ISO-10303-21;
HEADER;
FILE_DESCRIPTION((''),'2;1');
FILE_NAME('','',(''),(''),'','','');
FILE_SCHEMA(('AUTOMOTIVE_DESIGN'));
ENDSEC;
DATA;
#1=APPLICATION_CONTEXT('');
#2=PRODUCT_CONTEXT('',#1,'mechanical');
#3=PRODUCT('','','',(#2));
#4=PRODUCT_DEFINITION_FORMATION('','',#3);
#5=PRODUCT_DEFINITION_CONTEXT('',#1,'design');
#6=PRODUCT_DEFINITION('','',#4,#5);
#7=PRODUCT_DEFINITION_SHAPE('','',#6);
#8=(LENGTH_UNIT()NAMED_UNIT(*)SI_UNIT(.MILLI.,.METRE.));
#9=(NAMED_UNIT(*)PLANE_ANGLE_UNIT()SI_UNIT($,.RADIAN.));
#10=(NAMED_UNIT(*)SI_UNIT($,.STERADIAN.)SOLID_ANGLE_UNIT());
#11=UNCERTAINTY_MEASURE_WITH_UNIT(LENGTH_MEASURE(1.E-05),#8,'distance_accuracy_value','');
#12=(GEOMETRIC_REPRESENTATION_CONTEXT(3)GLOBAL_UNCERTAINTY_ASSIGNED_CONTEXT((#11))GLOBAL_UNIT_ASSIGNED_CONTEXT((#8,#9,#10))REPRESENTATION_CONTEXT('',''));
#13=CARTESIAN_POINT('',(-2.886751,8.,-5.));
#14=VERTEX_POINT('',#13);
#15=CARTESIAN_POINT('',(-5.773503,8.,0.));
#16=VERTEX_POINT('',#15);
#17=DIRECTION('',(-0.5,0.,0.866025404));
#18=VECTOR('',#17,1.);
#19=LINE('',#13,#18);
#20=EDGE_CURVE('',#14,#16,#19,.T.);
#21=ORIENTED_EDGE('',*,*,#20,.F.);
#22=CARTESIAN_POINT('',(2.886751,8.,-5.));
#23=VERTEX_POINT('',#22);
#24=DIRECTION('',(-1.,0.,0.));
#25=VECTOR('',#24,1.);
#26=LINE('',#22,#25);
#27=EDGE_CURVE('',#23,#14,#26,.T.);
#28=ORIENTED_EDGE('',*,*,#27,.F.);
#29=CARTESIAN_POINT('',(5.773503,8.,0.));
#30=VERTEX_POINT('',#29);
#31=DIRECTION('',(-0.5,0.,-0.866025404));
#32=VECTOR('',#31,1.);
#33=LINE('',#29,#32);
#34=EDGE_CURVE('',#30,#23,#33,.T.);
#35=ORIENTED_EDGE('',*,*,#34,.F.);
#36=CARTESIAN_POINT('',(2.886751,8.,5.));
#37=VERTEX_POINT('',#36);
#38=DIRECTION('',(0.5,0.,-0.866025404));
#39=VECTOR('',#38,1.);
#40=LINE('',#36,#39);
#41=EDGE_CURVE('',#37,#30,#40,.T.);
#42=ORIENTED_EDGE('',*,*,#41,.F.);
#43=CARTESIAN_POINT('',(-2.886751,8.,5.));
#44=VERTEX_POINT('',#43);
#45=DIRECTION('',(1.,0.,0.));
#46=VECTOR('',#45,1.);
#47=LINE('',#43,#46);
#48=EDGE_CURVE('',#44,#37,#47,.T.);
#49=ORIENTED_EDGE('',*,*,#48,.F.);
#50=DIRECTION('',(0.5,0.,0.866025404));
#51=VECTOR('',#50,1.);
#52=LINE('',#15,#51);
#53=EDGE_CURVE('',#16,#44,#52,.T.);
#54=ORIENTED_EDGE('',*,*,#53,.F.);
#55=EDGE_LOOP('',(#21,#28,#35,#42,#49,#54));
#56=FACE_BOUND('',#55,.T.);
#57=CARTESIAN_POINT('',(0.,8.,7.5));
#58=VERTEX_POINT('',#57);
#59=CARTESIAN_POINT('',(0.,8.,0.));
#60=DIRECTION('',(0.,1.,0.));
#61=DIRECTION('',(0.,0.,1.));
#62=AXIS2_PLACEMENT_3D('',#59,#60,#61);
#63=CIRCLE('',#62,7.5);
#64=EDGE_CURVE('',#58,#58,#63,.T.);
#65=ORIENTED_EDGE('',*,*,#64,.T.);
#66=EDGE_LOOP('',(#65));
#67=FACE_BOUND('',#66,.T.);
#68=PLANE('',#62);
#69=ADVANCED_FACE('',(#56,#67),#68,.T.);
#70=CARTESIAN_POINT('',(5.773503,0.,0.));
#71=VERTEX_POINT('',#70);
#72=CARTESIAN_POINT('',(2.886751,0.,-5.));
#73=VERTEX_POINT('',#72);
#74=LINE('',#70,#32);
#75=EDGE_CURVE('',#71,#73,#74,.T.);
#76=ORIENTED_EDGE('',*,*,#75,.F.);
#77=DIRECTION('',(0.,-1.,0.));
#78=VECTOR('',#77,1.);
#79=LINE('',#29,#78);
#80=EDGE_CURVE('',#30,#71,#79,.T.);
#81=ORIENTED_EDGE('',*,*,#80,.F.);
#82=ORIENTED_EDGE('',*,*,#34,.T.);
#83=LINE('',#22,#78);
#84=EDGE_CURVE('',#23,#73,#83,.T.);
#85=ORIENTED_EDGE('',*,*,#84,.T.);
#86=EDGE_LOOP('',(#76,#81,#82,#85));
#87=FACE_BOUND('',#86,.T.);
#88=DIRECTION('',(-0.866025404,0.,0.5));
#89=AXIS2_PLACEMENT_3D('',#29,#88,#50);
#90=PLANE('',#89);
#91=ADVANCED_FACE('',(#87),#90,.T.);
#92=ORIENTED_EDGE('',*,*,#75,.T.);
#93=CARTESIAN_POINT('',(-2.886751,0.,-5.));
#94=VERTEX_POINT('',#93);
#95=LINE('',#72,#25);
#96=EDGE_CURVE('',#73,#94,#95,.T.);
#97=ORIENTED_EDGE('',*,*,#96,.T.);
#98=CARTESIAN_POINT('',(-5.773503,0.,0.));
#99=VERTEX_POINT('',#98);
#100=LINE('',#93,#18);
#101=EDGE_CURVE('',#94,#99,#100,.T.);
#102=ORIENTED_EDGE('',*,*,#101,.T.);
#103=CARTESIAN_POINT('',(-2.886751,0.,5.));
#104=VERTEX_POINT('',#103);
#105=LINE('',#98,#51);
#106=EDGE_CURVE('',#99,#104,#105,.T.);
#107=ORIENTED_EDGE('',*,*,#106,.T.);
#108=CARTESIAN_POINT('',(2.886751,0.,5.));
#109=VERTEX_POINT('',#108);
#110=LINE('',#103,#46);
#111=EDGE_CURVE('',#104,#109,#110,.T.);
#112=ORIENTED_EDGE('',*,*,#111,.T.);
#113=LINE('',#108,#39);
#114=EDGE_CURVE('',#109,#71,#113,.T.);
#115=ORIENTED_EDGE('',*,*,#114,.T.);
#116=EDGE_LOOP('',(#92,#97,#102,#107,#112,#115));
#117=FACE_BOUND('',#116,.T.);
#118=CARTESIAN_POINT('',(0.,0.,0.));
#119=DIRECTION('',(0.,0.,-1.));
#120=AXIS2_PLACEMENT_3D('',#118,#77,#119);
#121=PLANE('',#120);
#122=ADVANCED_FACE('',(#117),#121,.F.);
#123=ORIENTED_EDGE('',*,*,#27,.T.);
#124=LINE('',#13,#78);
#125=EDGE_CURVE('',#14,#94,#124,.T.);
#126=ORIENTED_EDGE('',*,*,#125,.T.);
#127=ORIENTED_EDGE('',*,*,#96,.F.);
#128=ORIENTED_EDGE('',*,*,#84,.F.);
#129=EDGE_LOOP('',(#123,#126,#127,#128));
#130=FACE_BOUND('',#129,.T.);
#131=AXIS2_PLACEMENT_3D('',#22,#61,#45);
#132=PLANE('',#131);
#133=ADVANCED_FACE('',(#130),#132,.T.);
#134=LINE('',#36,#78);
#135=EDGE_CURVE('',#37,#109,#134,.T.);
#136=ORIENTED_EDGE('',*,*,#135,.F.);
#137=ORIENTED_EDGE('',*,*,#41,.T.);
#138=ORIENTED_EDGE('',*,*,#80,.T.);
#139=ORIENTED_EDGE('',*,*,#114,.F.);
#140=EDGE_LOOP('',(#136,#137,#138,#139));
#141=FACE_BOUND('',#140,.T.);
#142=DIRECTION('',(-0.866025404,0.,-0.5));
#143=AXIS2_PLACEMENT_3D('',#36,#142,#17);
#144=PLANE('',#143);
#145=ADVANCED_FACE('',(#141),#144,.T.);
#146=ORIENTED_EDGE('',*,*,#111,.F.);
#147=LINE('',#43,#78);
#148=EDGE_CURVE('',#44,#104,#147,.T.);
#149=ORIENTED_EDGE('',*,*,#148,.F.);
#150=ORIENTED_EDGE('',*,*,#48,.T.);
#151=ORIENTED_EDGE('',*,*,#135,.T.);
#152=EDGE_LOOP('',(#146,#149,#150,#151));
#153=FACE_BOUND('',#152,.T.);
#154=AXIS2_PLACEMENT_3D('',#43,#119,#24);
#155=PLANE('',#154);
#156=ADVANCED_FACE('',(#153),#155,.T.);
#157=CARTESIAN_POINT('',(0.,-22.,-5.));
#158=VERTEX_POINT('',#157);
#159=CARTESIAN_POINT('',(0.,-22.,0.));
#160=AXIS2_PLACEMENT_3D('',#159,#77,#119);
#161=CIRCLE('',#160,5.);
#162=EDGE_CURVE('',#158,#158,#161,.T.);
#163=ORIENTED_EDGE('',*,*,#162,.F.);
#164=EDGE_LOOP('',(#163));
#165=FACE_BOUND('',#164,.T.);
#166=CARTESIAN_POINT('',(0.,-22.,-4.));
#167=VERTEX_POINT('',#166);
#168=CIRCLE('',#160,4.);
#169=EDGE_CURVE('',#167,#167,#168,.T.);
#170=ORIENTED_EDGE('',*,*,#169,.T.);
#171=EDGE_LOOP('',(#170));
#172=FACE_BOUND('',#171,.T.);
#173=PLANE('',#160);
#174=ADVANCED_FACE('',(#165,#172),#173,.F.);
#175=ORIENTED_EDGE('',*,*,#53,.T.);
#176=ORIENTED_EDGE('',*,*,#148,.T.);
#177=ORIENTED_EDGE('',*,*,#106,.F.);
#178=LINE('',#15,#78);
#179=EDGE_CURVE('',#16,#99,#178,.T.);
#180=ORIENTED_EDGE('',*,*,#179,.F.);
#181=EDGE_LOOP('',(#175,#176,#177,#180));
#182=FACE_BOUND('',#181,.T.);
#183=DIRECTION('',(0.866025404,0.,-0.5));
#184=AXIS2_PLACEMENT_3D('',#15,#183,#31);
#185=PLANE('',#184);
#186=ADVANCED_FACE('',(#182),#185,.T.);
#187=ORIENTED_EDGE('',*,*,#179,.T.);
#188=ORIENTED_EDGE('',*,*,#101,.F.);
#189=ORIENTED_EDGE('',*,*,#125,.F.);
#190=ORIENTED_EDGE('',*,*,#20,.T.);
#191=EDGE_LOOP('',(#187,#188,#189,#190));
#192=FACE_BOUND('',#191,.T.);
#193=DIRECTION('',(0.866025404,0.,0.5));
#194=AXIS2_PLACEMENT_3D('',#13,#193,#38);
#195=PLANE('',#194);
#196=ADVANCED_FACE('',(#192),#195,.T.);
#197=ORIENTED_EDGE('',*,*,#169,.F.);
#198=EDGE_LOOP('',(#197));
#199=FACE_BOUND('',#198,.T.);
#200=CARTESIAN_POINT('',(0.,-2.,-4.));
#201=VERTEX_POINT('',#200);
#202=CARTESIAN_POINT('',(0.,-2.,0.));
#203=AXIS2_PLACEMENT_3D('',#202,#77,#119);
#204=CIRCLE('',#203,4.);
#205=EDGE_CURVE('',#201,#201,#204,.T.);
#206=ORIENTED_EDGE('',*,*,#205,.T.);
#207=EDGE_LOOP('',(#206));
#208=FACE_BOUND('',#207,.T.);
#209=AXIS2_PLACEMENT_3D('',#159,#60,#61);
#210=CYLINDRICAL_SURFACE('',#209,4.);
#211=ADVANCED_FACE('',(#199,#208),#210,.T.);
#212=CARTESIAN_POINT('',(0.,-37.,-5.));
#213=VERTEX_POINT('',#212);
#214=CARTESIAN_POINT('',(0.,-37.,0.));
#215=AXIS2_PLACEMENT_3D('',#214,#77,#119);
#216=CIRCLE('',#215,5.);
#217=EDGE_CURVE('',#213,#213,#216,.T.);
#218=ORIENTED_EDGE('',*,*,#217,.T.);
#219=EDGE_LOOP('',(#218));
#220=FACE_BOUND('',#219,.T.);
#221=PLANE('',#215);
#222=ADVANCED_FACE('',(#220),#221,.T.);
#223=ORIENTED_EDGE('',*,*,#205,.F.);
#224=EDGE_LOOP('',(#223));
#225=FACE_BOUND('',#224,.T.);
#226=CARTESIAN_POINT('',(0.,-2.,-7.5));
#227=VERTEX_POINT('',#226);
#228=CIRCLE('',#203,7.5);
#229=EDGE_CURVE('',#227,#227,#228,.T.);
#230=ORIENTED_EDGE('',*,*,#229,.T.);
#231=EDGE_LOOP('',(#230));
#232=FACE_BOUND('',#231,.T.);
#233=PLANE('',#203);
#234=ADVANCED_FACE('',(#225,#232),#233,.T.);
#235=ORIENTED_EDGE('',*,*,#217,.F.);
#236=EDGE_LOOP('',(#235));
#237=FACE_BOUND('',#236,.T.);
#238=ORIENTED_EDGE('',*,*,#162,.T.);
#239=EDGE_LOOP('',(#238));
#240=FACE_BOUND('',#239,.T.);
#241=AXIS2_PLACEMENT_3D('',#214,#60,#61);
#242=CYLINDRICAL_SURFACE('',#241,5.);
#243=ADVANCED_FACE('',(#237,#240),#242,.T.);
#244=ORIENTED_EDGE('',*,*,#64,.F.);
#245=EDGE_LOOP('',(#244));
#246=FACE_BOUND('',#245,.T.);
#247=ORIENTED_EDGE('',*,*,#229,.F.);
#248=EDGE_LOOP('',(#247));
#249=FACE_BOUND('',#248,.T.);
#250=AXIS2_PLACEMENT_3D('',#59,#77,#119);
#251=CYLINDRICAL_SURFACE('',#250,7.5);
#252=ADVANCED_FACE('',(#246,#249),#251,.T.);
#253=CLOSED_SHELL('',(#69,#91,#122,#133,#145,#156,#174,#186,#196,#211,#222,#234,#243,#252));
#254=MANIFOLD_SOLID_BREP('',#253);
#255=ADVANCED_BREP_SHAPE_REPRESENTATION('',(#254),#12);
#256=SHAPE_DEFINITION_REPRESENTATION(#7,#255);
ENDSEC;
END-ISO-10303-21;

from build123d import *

# Parameters (mm, degrees)
SKETCH1_R           = 7.5
BOSS_EXTRUDE1_DEPTH = 8
SKETCH2_R           = 7.5
BOSS_EXTRUDE2_DEPTH = 2
SKETCH3_R           = 4
BOSS_EXTRUDE3_DEPTH = 20
SKETCH4_R           = 5
BOSS_EXTRUDE4_DEPTH = 15


with BuildPart() as part:
    # Sketch1 → Boss-Extrude1 (new body)
    with BuildSketch(Plane(origin=(0, 0, 0), x_dir=(1, 0, 0), z_dir=(0, 1, 0))):
        Circle(SKETCH1_R)
        Polygon((5.773502692, 0), (2.886751346, 5), (-2.886751346, 5), (-5.773502692, 0), (-2.886751346, -5), (2.886751346, -5), align=None, mode=Mode.SUBTRACT)
    extrude(amount=BOSS_EXTRUDE1_DEPTH)

    # Sketch2 → Boss-Extrude2 (add)
    with BuildSketch(Plane.XZ):
        Circle(SKETCH2_R)
    extrude(amount=BOSS_EXTRUDE2_DEPTH)

    # Sketch3 → Boss-Extrude3 (add)
    with BuildSketch(Plane.XZ.offset(2)):
        Circle(SKETCH3_R)
    extrude(amount=BOSS_EXTRUDE3_DEPTH)

    # Sketch4 → Boss-Extrude4 (add)
    with BuildSketch(Plane.XZ.offset(22)):
        Circle(SKETCH4_R)
    extrude(amount=BOSS_EXTRUDE4_DEPTH)


solid = part.part
